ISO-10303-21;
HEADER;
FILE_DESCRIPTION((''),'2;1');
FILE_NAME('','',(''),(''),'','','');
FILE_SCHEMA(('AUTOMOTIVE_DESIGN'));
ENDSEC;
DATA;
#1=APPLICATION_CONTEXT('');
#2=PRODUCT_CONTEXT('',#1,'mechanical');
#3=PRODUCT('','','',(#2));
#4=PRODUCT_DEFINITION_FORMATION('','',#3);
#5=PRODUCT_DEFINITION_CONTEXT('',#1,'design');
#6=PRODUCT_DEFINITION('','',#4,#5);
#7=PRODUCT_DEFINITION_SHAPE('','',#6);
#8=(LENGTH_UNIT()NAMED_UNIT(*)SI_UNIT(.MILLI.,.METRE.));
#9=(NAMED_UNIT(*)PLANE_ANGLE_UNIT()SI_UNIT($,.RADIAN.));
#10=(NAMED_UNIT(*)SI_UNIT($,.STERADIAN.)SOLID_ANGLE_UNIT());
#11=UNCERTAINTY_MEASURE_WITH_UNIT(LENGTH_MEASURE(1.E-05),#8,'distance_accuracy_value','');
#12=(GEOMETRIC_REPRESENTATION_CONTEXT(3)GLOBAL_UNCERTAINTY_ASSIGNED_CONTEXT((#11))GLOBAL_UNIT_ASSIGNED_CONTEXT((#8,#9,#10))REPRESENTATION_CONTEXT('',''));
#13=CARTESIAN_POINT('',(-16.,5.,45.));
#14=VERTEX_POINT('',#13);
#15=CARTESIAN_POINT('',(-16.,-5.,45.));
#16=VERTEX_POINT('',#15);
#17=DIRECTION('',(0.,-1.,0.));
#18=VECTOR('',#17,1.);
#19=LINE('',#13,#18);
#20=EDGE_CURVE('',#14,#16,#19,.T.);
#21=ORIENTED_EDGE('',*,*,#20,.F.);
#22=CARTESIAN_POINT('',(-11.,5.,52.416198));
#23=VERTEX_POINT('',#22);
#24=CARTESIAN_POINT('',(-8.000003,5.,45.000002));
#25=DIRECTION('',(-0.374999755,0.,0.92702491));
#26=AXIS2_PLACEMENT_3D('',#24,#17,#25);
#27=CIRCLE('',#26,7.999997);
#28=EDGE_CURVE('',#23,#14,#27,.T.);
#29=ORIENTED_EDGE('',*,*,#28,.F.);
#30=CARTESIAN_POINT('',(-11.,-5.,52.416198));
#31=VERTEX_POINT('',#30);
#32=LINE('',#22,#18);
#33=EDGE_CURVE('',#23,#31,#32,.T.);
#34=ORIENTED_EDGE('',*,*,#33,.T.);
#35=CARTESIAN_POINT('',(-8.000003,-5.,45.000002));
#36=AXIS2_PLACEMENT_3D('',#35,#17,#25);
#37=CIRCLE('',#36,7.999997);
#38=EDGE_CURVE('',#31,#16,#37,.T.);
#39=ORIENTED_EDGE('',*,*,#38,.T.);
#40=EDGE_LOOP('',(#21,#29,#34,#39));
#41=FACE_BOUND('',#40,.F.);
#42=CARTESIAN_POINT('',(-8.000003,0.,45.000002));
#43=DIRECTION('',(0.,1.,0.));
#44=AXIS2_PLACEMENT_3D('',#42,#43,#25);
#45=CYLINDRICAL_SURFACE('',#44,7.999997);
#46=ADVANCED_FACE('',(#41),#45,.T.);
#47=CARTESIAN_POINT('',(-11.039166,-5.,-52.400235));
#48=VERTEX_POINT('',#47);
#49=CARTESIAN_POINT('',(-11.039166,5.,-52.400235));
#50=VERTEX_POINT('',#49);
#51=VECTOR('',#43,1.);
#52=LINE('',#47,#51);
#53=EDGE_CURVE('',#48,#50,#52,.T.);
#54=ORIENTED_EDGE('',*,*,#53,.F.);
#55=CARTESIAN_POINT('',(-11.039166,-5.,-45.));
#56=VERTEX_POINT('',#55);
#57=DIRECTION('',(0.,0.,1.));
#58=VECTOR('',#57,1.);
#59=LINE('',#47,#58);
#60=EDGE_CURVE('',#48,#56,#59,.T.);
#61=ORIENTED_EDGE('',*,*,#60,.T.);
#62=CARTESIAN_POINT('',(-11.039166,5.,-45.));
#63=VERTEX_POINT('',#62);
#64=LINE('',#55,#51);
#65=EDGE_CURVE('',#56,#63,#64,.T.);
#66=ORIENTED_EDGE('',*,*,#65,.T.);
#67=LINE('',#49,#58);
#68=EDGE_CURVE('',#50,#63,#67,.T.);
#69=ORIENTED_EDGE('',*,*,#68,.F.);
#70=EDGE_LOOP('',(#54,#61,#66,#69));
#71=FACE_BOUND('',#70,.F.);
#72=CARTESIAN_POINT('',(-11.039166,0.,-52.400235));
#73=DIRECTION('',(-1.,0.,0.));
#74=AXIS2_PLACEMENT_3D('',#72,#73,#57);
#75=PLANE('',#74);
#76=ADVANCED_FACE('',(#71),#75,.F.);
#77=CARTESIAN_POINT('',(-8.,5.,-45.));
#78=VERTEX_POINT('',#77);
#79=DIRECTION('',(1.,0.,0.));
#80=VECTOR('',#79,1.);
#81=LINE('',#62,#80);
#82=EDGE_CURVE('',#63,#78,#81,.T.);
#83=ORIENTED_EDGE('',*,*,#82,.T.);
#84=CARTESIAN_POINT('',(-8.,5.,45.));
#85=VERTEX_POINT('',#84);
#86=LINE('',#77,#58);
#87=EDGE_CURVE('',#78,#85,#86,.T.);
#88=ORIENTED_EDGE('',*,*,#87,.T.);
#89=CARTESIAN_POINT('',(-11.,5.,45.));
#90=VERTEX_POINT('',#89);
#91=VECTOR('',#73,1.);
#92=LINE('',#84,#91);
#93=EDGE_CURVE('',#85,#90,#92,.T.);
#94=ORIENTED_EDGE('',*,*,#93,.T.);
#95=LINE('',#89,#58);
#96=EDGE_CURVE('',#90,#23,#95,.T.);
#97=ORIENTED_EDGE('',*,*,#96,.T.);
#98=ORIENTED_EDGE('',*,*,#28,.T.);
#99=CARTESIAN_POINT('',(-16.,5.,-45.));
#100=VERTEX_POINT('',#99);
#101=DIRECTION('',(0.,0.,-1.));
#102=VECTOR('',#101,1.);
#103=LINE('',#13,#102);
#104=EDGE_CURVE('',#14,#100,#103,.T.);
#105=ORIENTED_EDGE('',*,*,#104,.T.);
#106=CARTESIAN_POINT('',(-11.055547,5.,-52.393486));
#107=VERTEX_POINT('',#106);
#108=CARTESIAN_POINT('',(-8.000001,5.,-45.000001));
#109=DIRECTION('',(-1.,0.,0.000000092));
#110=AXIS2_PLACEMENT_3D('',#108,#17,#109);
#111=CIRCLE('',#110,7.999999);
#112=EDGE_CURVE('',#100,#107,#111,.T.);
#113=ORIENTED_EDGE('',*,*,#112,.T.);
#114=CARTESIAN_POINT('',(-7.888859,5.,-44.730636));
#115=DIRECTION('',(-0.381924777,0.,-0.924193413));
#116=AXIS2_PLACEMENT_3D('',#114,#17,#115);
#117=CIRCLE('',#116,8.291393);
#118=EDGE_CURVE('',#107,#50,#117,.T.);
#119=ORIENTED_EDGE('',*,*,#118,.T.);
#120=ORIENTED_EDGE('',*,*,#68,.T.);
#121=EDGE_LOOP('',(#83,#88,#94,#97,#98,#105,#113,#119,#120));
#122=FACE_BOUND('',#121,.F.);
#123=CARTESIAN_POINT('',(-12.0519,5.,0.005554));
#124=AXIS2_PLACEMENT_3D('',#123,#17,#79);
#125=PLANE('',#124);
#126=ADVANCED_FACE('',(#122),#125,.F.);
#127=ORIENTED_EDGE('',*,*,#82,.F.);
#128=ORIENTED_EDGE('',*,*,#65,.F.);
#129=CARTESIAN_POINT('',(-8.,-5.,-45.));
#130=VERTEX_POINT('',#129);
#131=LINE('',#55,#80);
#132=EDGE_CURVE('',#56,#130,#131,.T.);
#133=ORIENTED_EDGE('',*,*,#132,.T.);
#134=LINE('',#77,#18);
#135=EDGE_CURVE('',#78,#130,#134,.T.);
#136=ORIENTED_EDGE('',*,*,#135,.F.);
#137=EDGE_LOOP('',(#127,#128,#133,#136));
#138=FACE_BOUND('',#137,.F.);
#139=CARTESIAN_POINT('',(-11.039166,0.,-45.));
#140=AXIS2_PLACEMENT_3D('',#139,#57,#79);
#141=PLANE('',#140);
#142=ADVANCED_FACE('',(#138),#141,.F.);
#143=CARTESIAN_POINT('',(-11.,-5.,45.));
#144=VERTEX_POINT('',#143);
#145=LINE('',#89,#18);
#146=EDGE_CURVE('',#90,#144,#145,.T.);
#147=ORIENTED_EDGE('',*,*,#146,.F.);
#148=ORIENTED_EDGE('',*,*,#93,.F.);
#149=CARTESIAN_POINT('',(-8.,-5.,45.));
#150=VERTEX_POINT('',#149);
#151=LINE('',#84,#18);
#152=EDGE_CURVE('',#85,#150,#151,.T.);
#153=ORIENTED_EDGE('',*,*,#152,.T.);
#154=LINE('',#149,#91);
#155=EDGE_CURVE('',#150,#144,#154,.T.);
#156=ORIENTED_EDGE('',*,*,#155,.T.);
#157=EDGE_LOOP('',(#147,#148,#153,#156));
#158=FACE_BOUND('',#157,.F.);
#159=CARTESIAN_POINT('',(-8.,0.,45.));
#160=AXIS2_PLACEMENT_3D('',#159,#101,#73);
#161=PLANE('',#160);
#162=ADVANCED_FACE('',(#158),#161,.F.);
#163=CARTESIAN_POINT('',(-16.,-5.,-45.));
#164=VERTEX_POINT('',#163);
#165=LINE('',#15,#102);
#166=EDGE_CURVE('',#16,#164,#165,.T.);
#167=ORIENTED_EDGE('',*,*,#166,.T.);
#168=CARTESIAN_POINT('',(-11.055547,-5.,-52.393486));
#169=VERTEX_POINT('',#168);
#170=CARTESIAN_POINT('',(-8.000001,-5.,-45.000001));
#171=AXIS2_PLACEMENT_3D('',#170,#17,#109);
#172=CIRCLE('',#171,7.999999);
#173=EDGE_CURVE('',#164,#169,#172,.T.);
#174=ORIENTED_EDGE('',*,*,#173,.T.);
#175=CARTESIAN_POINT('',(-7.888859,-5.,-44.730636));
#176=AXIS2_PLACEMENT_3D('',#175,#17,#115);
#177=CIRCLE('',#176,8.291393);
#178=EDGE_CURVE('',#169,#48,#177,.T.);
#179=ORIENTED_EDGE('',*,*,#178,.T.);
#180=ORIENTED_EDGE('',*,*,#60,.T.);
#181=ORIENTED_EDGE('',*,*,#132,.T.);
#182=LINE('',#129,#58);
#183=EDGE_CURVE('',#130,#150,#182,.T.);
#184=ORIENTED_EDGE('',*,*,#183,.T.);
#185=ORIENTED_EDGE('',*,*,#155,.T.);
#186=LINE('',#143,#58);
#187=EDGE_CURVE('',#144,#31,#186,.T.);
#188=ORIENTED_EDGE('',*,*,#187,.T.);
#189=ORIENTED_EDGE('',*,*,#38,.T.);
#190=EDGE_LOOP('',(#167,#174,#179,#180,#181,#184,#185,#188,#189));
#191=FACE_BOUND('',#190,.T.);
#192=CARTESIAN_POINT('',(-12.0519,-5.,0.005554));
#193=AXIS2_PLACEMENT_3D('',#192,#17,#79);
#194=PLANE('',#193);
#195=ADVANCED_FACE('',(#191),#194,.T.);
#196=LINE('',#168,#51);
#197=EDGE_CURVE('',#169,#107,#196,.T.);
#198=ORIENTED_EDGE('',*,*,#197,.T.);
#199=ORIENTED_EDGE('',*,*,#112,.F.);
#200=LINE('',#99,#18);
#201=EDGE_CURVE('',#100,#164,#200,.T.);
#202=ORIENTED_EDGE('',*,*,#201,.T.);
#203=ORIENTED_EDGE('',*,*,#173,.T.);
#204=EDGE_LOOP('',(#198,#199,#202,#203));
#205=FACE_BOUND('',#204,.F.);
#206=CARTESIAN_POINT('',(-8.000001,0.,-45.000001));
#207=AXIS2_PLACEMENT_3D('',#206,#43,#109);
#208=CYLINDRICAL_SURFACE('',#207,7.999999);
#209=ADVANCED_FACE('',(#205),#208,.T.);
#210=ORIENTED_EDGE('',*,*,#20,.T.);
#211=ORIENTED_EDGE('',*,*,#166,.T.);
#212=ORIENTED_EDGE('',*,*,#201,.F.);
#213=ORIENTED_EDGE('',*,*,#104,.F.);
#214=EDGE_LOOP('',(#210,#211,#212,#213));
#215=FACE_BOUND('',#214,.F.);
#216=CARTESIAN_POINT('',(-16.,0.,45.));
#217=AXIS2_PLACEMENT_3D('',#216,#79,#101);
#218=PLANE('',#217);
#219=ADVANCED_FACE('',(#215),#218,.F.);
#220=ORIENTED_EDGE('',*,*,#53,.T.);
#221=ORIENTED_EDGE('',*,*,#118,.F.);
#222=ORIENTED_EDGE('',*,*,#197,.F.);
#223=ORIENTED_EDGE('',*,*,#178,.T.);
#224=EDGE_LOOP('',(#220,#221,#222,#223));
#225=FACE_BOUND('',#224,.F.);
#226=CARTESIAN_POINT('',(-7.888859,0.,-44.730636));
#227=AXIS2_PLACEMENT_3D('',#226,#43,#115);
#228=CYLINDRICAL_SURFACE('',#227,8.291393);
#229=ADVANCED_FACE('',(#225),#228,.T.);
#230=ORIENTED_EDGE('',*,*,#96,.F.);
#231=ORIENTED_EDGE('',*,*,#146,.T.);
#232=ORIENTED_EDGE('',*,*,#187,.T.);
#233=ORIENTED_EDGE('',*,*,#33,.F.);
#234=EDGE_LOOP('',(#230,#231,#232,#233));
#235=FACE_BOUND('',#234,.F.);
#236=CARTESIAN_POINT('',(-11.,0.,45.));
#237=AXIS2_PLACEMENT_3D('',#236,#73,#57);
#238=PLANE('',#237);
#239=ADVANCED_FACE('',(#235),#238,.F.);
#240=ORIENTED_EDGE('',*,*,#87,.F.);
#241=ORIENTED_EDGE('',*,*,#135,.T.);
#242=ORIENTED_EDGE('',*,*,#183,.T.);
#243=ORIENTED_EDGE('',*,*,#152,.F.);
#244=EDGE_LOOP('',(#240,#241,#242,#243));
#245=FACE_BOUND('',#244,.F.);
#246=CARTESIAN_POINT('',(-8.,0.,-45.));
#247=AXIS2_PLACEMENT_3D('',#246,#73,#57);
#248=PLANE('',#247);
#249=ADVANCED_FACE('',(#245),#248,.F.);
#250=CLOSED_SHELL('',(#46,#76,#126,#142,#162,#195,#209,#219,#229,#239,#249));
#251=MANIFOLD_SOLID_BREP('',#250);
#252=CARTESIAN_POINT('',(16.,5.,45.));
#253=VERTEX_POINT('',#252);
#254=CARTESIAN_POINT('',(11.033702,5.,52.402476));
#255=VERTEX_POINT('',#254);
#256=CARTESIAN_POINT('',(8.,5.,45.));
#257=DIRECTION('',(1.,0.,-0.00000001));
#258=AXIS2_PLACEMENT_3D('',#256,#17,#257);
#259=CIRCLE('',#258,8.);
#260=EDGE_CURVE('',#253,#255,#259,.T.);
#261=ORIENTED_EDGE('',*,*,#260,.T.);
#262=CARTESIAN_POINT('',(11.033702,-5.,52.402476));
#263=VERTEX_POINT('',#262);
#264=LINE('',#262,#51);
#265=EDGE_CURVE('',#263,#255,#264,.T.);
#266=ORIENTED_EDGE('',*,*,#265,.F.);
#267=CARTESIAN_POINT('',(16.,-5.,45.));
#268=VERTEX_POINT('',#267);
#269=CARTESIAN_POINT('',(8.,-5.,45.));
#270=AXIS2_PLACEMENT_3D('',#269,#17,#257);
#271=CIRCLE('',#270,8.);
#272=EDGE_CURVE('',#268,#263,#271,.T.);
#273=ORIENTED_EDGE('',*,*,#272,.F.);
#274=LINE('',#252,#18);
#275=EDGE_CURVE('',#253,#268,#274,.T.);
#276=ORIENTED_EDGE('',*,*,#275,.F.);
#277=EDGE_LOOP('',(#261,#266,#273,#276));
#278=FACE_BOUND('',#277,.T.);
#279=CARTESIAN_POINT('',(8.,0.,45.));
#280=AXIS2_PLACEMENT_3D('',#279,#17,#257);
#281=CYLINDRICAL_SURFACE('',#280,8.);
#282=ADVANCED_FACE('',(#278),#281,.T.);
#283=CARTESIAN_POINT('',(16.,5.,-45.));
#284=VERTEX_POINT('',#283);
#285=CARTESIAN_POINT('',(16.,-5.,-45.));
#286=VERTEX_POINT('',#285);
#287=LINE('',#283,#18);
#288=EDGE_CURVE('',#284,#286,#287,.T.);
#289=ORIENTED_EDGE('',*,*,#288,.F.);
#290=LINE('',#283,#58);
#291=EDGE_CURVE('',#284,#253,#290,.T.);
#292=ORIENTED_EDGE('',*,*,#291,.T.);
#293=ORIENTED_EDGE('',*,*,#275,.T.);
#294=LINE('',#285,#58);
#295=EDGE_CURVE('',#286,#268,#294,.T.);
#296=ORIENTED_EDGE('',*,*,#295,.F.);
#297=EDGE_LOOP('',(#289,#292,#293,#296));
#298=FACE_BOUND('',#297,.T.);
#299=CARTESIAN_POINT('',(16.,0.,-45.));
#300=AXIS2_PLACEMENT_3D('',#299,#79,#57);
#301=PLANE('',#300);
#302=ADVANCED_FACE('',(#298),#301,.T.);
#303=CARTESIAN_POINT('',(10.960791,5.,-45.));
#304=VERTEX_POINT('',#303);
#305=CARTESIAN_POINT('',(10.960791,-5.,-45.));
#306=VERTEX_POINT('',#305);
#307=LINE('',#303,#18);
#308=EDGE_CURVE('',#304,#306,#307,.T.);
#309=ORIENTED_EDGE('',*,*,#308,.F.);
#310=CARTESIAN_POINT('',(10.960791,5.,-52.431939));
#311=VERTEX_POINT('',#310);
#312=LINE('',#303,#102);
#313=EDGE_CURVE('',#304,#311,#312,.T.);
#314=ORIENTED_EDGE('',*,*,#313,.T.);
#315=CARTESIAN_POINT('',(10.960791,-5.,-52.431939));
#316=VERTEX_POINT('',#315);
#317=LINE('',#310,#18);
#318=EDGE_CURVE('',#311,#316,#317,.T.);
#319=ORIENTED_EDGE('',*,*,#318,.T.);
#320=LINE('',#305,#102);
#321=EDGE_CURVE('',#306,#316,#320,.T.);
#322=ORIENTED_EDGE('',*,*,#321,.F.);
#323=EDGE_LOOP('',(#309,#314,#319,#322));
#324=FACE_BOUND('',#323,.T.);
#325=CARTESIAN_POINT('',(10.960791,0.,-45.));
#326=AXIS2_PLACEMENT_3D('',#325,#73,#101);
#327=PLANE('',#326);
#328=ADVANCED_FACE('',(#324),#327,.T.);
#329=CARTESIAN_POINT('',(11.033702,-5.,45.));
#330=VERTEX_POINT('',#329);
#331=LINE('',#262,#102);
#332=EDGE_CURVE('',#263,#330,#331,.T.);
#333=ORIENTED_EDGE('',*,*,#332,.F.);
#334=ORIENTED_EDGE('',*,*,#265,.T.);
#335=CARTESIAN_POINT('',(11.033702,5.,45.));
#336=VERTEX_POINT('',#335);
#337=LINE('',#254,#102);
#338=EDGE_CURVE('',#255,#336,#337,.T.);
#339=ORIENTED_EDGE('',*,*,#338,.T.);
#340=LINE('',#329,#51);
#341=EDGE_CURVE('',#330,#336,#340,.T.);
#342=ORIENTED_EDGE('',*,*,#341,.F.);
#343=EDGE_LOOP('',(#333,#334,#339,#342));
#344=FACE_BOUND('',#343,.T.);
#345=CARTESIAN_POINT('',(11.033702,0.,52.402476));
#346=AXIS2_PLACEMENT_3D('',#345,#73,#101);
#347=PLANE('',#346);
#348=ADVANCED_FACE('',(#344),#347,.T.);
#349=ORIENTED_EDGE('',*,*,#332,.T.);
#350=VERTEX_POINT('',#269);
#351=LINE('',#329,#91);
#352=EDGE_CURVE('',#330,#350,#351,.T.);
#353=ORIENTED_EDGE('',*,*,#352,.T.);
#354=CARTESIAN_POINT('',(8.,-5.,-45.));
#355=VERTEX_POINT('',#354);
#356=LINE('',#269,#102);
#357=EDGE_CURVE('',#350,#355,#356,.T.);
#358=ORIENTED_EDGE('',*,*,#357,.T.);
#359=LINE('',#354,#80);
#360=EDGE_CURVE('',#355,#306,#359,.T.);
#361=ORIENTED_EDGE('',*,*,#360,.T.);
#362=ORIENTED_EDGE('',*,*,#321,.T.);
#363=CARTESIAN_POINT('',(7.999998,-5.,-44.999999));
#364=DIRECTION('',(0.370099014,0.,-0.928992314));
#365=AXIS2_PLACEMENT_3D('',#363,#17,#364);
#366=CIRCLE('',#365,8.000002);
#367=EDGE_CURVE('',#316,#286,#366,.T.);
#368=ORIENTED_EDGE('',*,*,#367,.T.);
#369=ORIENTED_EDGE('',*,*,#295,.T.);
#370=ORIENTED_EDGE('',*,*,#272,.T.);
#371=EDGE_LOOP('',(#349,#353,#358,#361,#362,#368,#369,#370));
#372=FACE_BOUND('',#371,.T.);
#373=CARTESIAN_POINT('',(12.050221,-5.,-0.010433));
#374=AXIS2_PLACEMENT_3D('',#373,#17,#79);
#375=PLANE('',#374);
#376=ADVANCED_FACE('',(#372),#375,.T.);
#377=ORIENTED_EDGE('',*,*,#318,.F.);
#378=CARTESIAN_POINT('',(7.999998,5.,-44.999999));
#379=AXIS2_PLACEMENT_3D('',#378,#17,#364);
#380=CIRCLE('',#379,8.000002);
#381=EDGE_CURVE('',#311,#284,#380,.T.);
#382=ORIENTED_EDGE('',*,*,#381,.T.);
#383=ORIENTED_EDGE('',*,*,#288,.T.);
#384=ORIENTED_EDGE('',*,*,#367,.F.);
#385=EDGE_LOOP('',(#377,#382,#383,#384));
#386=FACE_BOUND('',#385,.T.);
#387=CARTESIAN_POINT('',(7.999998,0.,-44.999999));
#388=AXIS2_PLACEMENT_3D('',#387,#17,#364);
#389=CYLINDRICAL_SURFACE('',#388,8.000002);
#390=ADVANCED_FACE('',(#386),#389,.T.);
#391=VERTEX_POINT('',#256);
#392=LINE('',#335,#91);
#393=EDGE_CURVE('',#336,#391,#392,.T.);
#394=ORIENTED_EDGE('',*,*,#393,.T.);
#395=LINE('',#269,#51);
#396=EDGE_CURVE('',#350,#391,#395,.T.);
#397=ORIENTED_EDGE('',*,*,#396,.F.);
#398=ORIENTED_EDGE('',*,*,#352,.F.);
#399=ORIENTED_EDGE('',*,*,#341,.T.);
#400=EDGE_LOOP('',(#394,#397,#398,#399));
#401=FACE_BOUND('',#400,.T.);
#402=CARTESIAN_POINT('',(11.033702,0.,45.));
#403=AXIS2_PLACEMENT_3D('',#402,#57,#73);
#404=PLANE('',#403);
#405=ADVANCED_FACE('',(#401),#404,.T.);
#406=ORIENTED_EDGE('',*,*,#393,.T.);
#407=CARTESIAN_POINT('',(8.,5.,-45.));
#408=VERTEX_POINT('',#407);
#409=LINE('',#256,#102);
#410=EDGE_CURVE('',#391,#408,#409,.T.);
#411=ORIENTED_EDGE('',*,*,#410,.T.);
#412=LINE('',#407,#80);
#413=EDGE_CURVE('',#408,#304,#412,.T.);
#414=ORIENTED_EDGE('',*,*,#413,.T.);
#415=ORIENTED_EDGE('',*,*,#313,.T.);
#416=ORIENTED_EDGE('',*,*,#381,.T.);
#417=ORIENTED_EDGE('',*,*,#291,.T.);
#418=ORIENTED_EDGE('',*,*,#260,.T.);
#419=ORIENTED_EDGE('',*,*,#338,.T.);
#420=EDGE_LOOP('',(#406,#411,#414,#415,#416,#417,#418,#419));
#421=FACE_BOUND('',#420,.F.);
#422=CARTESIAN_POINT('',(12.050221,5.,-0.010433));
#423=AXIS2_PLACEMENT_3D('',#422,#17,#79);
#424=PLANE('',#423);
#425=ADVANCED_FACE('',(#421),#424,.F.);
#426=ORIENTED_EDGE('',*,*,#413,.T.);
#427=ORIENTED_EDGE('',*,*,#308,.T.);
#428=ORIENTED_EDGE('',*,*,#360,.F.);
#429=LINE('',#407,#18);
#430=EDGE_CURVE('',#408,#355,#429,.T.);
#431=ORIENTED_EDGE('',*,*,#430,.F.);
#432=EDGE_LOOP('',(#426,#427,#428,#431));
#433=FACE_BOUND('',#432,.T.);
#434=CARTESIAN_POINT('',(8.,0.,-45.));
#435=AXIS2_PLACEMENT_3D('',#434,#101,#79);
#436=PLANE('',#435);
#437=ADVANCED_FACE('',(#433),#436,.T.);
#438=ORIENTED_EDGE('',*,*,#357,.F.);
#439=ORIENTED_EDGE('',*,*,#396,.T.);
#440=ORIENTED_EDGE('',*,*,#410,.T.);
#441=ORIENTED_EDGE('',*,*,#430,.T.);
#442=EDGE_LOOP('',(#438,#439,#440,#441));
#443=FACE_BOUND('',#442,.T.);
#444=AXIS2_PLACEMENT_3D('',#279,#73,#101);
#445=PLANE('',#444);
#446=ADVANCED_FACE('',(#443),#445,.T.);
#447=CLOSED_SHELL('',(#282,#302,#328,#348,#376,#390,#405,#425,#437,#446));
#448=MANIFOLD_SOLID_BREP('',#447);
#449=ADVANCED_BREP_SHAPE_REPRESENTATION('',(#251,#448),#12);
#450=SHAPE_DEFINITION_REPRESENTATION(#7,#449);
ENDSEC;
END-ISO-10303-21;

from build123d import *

# Parameters (mm, degrees)
F1_DEPTH = 5


with BuildPart() as f1:
    # F0 (on Front) → F1 (new body, symmetric)
    with BuildSketch(Plane.XZ):
        with BuildLine():
            Line((-11.039166, -45), (-8, -45))
            Line((-8, -45), (-8, 45))
            Line((-8, 45), (-11, 45))
            Line((-11, 45), (-11, 52.416198))
            ThreePointArc((-11, 52.416198), (-14.63325, 49.472136), (-16, 45))
            Line((-16, 45), (-16, -45))
            ThreePointArc((-16, -45), (-14.649977, -49.447225), (-11.055547, -52.393486))
            ThreePointArc((-11.055547, -52.393486), (-11.047358, -52.396865), (-11.039166, -52.400235))
            Line((-11.039166, -52.400235), (-11.039166, -45))
        make_face()
        with BuildLine():
            Line((8, 45), (8, -45))
            Line((8, -45), (10.960791, -45))
            Line((10.960791, -45), (10.960791, -52.431939))
            ThreePointArc((10.960791, -52.431939), (14.621417, -49.489636), (16, -45))
            Line((16, -45), (16, 45))
            ThreePointArc((16, 45), (14.643403, 49.457039), (11.033702, 52.402476))
            Line((11.033702, 52.402476), (11.033702, 45))
            Line((11.033702, 45), (8, 45))
        make_face()
    extrude(amount=F1_DEPTH, both=True)


solid = f1.part
